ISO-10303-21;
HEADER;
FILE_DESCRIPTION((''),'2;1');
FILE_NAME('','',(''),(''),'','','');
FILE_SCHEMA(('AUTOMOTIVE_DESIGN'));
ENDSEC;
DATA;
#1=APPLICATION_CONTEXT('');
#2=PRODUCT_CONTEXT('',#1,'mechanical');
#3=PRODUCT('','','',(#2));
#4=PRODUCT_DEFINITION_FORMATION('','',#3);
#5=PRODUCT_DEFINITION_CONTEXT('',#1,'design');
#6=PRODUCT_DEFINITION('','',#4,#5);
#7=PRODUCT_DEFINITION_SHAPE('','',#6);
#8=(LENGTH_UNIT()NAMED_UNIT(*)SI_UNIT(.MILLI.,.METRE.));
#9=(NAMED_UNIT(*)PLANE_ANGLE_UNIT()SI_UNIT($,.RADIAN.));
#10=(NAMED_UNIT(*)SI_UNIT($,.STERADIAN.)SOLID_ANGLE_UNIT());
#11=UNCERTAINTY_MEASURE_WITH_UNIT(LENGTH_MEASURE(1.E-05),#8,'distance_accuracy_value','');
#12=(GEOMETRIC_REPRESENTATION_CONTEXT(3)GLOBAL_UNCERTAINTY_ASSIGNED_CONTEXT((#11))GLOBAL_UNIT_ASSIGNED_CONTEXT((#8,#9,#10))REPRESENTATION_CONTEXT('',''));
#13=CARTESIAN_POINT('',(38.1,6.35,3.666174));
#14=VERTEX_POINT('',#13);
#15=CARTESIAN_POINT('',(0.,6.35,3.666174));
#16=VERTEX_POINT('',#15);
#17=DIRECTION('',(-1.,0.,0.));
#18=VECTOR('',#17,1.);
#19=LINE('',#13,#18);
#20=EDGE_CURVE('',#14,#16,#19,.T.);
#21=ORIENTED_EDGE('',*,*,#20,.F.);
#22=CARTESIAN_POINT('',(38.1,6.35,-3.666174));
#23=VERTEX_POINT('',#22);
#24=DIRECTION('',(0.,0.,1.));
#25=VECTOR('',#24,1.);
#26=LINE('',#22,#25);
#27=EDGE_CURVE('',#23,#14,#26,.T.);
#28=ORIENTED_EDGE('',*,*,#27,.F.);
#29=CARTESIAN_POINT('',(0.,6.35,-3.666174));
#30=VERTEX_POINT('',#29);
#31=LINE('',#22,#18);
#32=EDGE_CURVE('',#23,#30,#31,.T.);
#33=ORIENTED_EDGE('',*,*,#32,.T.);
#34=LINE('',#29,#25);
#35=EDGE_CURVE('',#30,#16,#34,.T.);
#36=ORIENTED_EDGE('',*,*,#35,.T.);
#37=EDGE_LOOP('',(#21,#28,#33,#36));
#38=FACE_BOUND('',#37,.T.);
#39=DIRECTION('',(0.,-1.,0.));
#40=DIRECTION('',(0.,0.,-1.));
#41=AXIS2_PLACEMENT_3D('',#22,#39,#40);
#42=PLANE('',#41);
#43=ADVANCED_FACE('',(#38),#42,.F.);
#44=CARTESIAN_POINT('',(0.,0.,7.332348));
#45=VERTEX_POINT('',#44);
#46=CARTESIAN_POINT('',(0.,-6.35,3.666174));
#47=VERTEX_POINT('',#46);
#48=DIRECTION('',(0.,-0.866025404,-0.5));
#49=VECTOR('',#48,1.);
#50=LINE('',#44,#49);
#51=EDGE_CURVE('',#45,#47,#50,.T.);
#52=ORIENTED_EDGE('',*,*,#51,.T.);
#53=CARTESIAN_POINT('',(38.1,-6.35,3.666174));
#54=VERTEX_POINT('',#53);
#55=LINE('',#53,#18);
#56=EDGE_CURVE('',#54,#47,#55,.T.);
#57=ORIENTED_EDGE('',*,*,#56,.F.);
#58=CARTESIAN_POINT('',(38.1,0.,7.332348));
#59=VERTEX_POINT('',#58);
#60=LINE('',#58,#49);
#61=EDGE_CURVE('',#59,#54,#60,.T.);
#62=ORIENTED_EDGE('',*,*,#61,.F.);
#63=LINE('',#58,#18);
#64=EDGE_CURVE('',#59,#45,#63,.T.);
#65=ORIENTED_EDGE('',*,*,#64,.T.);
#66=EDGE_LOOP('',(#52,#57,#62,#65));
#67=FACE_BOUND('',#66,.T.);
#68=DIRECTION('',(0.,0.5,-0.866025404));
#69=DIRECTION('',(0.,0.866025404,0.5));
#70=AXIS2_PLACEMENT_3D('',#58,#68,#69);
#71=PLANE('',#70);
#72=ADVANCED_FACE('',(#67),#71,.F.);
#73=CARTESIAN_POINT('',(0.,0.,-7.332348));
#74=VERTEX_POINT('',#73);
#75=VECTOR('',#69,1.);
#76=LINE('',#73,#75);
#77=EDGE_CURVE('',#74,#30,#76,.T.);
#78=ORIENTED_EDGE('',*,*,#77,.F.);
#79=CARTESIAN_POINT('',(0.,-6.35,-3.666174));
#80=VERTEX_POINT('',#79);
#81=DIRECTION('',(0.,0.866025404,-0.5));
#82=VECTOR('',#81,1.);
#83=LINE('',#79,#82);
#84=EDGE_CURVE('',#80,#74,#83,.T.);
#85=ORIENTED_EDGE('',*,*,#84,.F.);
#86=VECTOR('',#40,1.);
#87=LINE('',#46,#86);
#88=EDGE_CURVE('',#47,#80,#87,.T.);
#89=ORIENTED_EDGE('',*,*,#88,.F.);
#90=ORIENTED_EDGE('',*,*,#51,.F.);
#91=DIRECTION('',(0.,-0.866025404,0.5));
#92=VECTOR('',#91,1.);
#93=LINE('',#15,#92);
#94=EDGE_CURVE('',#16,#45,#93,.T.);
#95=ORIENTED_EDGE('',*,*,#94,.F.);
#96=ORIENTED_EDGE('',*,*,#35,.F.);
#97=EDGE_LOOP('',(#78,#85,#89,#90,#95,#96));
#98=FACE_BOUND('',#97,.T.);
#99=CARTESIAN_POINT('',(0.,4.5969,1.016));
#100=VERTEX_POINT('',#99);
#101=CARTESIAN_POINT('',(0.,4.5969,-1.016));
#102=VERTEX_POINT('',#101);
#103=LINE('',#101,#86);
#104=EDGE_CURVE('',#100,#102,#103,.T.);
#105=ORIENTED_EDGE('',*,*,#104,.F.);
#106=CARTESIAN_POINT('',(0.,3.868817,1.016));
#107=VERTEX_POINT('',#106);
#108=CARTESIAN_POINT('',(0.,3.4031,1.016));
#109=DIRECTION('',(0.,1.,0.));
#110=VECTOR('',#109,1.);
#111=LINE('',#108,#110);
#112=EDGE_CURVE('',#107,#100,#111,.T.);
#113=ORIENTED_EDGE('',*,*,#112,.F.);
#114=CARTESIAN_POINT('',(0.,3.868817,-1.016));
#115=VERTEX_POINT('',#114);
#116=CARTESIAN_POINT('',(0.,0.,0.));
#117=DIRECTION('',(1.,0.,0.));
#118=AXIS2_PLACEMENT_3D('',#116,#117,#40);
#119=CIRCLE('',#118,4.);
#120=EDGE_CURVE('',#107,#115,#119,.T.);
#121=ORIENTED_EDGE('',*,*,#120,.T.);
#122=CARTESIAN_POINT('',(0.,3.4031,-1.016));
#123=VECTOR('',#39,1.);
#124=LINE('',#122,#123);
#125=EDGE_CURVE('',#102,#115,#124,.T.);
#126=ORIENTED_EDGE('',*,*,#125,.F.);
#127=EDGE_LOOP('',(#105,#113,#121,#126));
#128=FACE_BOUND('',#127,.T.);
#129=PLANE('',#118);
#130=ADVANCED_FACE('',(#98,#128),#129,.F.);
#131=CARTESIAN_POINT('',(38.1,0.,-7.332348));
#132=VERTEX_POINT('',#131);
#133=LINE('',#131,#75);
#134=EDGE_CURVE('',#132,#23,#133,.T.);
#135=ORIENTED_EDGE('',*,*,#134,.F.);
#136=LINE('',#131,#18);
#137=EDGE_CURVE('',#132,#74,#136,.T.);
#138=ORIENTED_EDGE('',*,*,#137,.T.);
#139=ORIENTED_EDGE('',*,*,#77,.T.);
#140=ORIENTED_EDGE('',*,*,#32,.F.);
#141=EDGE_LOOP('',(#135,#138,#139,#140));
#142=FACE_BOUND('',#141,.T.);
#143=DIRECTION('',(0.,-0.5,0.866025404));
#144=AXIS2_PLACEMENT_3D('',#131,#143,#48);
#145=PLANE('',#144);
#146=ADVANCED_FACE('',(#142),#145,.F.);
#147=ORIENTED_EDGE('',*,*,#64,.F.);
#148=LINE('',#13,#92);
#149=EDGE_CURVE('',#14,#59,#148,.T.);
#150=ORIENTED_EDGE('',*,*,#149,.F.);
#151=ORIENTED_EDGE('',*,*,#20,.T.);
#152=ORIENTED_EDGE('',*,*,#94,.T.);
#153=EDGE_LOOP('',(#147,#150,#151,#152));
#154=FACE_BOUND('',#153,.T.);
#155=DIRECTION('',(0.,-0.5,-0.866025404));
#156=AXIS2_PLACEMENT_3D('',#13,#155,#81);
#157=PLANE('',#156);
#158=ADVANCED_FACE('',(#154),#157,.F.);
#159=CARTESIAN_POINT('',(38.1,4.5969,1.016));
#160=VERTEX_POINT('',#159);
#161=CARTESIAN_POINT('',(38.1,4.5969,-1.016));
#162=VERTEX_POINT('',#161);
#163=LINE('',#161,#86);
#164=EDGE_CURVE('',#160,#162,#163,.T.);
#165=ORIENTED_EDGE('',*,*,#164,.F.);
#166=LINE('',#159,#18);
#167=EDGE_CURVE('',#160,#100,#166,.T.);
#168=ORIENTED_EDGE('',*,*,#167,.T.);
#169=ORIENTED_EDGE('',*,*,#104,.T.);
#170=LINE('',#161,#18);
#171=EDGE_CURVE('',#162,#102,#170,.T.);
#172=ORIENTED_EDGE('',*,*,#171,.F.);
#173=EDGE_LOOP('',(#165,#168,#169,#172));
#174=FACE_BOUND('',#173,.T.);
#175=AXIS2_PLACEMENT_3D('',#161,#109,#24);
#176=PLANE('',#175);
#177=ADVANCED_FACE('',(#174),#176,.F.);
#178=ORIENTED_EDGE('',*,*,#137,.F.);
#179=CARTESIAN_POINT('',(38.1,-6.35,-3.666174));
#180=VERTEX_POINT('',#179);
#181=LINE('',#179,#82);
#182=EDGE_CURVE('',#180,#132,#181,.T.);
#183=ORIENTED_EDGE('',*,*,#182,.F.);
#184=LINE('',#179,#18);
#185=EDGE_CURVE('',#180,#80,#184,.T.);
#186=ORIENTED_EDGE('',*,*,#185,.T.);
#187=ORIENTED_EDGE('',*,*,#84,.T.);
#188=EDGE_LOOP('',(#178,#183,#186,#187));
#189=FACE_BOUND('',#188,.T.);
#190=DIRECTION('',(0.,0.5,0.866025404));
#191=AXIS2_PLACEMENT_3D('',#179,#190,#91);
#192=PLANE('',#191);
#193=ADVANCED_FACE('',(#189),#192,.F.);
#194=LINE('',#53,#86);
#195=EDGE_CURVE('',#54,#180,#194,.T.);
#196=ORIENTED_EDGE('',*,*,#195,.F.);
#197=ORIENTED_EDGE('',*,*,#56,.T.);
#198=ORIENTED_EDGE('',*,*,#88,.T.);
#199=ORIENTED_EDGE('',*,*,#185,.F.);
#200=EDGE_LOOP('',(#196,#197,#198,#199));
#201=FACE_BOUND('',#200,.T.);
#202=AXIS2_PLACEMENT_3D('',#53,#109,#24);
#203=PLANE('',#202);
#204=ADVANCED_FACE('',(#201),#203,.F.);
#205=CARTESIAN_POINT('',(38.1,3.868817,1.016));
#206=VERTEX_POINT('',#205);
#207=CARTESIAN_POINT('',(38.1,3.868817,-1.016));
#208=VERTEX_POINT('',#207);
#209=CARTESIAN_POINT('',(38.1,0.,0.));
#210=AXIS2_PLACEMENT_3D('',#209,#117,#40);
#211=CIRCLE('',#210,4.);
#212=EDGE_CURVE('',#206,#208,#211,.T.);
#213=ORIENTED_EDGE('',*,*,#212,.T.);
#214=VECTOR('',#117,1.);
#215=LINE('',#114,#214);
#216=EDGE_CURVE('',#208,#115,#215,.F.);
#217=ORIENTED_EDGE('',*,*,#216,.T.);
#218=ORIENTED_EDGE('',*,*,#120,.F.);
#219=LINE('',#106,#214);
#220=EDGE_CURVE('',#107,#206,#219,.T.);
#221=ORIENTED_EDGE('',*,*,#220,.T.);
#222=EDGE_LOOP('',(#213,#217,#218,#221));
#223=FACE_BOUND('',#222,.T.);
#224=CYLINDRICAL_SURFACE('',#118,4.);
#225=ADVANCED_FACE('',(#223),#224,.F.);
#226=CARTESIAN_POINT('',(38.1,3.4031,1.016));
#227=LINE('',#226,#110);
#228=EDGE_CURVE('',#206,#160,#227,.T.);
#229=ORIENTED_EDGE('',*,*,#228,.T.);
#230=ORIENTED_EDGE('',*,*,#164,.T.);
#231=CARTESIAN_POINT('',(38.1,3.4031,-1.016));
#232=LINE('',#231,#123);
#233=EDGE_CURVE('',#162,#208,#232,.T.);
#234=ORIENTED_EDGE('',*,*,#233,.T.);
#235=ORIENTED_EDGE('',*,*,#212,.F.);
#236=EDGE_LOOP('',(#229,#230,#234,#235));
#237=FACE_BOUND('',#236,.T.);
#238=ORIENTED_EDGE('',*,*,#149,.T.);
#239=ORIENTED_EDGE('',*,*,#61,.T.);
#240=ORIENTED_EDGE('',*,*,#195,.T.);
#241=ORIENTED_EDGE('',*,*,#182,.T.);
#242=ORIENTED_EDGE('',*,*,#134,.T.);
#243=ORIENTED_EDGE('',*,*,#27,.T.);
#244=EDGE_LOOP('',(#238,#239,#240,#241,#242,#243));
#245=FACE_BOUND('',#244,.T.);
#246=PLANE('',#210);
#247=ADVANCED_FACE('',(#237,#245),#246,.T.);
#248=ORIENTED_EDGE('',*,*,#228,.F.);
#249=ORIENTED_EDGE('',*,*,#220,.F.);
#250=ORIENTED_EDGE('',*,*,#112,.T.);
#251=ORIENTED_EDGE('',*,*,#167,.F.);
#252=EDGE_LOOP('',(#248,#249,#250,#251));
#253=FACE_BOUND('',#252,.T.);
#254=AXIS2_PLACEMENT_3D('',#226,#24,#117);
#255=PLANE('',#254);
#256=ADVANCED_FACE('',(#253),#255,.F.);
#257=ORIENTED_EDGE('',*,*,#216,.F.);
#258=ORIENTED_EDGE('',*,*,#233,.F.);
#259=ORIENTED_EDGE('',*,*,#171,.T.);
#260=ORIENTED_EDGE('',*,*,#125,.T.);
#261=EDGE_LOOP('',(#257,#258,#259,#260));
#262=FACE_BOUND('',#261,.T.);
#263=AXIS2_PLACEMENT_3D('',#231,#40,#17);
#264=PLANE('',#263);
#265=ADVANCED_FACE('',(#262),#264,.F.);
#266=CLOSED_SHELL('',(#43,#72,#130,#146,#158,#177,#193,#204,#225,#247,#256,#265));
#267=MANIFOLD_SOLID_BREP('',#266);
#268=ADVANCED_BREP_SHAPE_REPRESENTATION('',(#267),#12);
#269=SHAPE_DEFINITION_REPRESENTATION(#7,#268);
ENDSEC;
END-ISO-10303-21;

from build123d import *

# Parameters (mm, degrees)
BOSS_EXTRUDE1_DEPTH = 38.1
SKETCH2_R           = 4
CUT_EXTRUDE1_DEPTH  = 40.315338398
SKETCH3_W           = 2.032
SKETCH3_H           = 1.1938
CUT_EXTRUDE2_DEPTH  = 40.315338398


with BuildPart() as part:
    # Sketch1 → Boss-Extrude1 (new body)
    with BuildSketch(Plane(origin=(0, 0, 0), x_dir=(0, 0, -1), z_dir=(1, 0, 0))):
        Polygon((7.332348419, 0), (3.666174209, 6.35), (-3.666174209, 6.35), (-7.332348419, 0), (-3.666174209, -6.35), (3.666174209, -6.35), align=None)
    extrude(amount=BOSS_EXTRUDE1_DEPTH)

    # Sketch2 → Cut-Extrude1 (cut, through all)
    with BuildSketch(Plane(origin=(38.1, 0, 0), x_dir=(0, 0, -1), z_dir=(1, 0, 0))):
        Circle(SKETCH2_R)
    extrude(amount=-CUT_EXTRUDE1_DEPTH, mode=Mode.SUBTRACT)

    # Sketch3 → Cut-Extrude2 (cut, through all)
    with BuildSketch(Plane.ZY):
        with Locations((0, 4)):
            Rectangle(SKETCH3_W, SKETCH3_H)
    extrude(amount=-CUT_EXTRUDE2_DEPTH, mode=Mode.SUBTRACT)


solid = part.part
